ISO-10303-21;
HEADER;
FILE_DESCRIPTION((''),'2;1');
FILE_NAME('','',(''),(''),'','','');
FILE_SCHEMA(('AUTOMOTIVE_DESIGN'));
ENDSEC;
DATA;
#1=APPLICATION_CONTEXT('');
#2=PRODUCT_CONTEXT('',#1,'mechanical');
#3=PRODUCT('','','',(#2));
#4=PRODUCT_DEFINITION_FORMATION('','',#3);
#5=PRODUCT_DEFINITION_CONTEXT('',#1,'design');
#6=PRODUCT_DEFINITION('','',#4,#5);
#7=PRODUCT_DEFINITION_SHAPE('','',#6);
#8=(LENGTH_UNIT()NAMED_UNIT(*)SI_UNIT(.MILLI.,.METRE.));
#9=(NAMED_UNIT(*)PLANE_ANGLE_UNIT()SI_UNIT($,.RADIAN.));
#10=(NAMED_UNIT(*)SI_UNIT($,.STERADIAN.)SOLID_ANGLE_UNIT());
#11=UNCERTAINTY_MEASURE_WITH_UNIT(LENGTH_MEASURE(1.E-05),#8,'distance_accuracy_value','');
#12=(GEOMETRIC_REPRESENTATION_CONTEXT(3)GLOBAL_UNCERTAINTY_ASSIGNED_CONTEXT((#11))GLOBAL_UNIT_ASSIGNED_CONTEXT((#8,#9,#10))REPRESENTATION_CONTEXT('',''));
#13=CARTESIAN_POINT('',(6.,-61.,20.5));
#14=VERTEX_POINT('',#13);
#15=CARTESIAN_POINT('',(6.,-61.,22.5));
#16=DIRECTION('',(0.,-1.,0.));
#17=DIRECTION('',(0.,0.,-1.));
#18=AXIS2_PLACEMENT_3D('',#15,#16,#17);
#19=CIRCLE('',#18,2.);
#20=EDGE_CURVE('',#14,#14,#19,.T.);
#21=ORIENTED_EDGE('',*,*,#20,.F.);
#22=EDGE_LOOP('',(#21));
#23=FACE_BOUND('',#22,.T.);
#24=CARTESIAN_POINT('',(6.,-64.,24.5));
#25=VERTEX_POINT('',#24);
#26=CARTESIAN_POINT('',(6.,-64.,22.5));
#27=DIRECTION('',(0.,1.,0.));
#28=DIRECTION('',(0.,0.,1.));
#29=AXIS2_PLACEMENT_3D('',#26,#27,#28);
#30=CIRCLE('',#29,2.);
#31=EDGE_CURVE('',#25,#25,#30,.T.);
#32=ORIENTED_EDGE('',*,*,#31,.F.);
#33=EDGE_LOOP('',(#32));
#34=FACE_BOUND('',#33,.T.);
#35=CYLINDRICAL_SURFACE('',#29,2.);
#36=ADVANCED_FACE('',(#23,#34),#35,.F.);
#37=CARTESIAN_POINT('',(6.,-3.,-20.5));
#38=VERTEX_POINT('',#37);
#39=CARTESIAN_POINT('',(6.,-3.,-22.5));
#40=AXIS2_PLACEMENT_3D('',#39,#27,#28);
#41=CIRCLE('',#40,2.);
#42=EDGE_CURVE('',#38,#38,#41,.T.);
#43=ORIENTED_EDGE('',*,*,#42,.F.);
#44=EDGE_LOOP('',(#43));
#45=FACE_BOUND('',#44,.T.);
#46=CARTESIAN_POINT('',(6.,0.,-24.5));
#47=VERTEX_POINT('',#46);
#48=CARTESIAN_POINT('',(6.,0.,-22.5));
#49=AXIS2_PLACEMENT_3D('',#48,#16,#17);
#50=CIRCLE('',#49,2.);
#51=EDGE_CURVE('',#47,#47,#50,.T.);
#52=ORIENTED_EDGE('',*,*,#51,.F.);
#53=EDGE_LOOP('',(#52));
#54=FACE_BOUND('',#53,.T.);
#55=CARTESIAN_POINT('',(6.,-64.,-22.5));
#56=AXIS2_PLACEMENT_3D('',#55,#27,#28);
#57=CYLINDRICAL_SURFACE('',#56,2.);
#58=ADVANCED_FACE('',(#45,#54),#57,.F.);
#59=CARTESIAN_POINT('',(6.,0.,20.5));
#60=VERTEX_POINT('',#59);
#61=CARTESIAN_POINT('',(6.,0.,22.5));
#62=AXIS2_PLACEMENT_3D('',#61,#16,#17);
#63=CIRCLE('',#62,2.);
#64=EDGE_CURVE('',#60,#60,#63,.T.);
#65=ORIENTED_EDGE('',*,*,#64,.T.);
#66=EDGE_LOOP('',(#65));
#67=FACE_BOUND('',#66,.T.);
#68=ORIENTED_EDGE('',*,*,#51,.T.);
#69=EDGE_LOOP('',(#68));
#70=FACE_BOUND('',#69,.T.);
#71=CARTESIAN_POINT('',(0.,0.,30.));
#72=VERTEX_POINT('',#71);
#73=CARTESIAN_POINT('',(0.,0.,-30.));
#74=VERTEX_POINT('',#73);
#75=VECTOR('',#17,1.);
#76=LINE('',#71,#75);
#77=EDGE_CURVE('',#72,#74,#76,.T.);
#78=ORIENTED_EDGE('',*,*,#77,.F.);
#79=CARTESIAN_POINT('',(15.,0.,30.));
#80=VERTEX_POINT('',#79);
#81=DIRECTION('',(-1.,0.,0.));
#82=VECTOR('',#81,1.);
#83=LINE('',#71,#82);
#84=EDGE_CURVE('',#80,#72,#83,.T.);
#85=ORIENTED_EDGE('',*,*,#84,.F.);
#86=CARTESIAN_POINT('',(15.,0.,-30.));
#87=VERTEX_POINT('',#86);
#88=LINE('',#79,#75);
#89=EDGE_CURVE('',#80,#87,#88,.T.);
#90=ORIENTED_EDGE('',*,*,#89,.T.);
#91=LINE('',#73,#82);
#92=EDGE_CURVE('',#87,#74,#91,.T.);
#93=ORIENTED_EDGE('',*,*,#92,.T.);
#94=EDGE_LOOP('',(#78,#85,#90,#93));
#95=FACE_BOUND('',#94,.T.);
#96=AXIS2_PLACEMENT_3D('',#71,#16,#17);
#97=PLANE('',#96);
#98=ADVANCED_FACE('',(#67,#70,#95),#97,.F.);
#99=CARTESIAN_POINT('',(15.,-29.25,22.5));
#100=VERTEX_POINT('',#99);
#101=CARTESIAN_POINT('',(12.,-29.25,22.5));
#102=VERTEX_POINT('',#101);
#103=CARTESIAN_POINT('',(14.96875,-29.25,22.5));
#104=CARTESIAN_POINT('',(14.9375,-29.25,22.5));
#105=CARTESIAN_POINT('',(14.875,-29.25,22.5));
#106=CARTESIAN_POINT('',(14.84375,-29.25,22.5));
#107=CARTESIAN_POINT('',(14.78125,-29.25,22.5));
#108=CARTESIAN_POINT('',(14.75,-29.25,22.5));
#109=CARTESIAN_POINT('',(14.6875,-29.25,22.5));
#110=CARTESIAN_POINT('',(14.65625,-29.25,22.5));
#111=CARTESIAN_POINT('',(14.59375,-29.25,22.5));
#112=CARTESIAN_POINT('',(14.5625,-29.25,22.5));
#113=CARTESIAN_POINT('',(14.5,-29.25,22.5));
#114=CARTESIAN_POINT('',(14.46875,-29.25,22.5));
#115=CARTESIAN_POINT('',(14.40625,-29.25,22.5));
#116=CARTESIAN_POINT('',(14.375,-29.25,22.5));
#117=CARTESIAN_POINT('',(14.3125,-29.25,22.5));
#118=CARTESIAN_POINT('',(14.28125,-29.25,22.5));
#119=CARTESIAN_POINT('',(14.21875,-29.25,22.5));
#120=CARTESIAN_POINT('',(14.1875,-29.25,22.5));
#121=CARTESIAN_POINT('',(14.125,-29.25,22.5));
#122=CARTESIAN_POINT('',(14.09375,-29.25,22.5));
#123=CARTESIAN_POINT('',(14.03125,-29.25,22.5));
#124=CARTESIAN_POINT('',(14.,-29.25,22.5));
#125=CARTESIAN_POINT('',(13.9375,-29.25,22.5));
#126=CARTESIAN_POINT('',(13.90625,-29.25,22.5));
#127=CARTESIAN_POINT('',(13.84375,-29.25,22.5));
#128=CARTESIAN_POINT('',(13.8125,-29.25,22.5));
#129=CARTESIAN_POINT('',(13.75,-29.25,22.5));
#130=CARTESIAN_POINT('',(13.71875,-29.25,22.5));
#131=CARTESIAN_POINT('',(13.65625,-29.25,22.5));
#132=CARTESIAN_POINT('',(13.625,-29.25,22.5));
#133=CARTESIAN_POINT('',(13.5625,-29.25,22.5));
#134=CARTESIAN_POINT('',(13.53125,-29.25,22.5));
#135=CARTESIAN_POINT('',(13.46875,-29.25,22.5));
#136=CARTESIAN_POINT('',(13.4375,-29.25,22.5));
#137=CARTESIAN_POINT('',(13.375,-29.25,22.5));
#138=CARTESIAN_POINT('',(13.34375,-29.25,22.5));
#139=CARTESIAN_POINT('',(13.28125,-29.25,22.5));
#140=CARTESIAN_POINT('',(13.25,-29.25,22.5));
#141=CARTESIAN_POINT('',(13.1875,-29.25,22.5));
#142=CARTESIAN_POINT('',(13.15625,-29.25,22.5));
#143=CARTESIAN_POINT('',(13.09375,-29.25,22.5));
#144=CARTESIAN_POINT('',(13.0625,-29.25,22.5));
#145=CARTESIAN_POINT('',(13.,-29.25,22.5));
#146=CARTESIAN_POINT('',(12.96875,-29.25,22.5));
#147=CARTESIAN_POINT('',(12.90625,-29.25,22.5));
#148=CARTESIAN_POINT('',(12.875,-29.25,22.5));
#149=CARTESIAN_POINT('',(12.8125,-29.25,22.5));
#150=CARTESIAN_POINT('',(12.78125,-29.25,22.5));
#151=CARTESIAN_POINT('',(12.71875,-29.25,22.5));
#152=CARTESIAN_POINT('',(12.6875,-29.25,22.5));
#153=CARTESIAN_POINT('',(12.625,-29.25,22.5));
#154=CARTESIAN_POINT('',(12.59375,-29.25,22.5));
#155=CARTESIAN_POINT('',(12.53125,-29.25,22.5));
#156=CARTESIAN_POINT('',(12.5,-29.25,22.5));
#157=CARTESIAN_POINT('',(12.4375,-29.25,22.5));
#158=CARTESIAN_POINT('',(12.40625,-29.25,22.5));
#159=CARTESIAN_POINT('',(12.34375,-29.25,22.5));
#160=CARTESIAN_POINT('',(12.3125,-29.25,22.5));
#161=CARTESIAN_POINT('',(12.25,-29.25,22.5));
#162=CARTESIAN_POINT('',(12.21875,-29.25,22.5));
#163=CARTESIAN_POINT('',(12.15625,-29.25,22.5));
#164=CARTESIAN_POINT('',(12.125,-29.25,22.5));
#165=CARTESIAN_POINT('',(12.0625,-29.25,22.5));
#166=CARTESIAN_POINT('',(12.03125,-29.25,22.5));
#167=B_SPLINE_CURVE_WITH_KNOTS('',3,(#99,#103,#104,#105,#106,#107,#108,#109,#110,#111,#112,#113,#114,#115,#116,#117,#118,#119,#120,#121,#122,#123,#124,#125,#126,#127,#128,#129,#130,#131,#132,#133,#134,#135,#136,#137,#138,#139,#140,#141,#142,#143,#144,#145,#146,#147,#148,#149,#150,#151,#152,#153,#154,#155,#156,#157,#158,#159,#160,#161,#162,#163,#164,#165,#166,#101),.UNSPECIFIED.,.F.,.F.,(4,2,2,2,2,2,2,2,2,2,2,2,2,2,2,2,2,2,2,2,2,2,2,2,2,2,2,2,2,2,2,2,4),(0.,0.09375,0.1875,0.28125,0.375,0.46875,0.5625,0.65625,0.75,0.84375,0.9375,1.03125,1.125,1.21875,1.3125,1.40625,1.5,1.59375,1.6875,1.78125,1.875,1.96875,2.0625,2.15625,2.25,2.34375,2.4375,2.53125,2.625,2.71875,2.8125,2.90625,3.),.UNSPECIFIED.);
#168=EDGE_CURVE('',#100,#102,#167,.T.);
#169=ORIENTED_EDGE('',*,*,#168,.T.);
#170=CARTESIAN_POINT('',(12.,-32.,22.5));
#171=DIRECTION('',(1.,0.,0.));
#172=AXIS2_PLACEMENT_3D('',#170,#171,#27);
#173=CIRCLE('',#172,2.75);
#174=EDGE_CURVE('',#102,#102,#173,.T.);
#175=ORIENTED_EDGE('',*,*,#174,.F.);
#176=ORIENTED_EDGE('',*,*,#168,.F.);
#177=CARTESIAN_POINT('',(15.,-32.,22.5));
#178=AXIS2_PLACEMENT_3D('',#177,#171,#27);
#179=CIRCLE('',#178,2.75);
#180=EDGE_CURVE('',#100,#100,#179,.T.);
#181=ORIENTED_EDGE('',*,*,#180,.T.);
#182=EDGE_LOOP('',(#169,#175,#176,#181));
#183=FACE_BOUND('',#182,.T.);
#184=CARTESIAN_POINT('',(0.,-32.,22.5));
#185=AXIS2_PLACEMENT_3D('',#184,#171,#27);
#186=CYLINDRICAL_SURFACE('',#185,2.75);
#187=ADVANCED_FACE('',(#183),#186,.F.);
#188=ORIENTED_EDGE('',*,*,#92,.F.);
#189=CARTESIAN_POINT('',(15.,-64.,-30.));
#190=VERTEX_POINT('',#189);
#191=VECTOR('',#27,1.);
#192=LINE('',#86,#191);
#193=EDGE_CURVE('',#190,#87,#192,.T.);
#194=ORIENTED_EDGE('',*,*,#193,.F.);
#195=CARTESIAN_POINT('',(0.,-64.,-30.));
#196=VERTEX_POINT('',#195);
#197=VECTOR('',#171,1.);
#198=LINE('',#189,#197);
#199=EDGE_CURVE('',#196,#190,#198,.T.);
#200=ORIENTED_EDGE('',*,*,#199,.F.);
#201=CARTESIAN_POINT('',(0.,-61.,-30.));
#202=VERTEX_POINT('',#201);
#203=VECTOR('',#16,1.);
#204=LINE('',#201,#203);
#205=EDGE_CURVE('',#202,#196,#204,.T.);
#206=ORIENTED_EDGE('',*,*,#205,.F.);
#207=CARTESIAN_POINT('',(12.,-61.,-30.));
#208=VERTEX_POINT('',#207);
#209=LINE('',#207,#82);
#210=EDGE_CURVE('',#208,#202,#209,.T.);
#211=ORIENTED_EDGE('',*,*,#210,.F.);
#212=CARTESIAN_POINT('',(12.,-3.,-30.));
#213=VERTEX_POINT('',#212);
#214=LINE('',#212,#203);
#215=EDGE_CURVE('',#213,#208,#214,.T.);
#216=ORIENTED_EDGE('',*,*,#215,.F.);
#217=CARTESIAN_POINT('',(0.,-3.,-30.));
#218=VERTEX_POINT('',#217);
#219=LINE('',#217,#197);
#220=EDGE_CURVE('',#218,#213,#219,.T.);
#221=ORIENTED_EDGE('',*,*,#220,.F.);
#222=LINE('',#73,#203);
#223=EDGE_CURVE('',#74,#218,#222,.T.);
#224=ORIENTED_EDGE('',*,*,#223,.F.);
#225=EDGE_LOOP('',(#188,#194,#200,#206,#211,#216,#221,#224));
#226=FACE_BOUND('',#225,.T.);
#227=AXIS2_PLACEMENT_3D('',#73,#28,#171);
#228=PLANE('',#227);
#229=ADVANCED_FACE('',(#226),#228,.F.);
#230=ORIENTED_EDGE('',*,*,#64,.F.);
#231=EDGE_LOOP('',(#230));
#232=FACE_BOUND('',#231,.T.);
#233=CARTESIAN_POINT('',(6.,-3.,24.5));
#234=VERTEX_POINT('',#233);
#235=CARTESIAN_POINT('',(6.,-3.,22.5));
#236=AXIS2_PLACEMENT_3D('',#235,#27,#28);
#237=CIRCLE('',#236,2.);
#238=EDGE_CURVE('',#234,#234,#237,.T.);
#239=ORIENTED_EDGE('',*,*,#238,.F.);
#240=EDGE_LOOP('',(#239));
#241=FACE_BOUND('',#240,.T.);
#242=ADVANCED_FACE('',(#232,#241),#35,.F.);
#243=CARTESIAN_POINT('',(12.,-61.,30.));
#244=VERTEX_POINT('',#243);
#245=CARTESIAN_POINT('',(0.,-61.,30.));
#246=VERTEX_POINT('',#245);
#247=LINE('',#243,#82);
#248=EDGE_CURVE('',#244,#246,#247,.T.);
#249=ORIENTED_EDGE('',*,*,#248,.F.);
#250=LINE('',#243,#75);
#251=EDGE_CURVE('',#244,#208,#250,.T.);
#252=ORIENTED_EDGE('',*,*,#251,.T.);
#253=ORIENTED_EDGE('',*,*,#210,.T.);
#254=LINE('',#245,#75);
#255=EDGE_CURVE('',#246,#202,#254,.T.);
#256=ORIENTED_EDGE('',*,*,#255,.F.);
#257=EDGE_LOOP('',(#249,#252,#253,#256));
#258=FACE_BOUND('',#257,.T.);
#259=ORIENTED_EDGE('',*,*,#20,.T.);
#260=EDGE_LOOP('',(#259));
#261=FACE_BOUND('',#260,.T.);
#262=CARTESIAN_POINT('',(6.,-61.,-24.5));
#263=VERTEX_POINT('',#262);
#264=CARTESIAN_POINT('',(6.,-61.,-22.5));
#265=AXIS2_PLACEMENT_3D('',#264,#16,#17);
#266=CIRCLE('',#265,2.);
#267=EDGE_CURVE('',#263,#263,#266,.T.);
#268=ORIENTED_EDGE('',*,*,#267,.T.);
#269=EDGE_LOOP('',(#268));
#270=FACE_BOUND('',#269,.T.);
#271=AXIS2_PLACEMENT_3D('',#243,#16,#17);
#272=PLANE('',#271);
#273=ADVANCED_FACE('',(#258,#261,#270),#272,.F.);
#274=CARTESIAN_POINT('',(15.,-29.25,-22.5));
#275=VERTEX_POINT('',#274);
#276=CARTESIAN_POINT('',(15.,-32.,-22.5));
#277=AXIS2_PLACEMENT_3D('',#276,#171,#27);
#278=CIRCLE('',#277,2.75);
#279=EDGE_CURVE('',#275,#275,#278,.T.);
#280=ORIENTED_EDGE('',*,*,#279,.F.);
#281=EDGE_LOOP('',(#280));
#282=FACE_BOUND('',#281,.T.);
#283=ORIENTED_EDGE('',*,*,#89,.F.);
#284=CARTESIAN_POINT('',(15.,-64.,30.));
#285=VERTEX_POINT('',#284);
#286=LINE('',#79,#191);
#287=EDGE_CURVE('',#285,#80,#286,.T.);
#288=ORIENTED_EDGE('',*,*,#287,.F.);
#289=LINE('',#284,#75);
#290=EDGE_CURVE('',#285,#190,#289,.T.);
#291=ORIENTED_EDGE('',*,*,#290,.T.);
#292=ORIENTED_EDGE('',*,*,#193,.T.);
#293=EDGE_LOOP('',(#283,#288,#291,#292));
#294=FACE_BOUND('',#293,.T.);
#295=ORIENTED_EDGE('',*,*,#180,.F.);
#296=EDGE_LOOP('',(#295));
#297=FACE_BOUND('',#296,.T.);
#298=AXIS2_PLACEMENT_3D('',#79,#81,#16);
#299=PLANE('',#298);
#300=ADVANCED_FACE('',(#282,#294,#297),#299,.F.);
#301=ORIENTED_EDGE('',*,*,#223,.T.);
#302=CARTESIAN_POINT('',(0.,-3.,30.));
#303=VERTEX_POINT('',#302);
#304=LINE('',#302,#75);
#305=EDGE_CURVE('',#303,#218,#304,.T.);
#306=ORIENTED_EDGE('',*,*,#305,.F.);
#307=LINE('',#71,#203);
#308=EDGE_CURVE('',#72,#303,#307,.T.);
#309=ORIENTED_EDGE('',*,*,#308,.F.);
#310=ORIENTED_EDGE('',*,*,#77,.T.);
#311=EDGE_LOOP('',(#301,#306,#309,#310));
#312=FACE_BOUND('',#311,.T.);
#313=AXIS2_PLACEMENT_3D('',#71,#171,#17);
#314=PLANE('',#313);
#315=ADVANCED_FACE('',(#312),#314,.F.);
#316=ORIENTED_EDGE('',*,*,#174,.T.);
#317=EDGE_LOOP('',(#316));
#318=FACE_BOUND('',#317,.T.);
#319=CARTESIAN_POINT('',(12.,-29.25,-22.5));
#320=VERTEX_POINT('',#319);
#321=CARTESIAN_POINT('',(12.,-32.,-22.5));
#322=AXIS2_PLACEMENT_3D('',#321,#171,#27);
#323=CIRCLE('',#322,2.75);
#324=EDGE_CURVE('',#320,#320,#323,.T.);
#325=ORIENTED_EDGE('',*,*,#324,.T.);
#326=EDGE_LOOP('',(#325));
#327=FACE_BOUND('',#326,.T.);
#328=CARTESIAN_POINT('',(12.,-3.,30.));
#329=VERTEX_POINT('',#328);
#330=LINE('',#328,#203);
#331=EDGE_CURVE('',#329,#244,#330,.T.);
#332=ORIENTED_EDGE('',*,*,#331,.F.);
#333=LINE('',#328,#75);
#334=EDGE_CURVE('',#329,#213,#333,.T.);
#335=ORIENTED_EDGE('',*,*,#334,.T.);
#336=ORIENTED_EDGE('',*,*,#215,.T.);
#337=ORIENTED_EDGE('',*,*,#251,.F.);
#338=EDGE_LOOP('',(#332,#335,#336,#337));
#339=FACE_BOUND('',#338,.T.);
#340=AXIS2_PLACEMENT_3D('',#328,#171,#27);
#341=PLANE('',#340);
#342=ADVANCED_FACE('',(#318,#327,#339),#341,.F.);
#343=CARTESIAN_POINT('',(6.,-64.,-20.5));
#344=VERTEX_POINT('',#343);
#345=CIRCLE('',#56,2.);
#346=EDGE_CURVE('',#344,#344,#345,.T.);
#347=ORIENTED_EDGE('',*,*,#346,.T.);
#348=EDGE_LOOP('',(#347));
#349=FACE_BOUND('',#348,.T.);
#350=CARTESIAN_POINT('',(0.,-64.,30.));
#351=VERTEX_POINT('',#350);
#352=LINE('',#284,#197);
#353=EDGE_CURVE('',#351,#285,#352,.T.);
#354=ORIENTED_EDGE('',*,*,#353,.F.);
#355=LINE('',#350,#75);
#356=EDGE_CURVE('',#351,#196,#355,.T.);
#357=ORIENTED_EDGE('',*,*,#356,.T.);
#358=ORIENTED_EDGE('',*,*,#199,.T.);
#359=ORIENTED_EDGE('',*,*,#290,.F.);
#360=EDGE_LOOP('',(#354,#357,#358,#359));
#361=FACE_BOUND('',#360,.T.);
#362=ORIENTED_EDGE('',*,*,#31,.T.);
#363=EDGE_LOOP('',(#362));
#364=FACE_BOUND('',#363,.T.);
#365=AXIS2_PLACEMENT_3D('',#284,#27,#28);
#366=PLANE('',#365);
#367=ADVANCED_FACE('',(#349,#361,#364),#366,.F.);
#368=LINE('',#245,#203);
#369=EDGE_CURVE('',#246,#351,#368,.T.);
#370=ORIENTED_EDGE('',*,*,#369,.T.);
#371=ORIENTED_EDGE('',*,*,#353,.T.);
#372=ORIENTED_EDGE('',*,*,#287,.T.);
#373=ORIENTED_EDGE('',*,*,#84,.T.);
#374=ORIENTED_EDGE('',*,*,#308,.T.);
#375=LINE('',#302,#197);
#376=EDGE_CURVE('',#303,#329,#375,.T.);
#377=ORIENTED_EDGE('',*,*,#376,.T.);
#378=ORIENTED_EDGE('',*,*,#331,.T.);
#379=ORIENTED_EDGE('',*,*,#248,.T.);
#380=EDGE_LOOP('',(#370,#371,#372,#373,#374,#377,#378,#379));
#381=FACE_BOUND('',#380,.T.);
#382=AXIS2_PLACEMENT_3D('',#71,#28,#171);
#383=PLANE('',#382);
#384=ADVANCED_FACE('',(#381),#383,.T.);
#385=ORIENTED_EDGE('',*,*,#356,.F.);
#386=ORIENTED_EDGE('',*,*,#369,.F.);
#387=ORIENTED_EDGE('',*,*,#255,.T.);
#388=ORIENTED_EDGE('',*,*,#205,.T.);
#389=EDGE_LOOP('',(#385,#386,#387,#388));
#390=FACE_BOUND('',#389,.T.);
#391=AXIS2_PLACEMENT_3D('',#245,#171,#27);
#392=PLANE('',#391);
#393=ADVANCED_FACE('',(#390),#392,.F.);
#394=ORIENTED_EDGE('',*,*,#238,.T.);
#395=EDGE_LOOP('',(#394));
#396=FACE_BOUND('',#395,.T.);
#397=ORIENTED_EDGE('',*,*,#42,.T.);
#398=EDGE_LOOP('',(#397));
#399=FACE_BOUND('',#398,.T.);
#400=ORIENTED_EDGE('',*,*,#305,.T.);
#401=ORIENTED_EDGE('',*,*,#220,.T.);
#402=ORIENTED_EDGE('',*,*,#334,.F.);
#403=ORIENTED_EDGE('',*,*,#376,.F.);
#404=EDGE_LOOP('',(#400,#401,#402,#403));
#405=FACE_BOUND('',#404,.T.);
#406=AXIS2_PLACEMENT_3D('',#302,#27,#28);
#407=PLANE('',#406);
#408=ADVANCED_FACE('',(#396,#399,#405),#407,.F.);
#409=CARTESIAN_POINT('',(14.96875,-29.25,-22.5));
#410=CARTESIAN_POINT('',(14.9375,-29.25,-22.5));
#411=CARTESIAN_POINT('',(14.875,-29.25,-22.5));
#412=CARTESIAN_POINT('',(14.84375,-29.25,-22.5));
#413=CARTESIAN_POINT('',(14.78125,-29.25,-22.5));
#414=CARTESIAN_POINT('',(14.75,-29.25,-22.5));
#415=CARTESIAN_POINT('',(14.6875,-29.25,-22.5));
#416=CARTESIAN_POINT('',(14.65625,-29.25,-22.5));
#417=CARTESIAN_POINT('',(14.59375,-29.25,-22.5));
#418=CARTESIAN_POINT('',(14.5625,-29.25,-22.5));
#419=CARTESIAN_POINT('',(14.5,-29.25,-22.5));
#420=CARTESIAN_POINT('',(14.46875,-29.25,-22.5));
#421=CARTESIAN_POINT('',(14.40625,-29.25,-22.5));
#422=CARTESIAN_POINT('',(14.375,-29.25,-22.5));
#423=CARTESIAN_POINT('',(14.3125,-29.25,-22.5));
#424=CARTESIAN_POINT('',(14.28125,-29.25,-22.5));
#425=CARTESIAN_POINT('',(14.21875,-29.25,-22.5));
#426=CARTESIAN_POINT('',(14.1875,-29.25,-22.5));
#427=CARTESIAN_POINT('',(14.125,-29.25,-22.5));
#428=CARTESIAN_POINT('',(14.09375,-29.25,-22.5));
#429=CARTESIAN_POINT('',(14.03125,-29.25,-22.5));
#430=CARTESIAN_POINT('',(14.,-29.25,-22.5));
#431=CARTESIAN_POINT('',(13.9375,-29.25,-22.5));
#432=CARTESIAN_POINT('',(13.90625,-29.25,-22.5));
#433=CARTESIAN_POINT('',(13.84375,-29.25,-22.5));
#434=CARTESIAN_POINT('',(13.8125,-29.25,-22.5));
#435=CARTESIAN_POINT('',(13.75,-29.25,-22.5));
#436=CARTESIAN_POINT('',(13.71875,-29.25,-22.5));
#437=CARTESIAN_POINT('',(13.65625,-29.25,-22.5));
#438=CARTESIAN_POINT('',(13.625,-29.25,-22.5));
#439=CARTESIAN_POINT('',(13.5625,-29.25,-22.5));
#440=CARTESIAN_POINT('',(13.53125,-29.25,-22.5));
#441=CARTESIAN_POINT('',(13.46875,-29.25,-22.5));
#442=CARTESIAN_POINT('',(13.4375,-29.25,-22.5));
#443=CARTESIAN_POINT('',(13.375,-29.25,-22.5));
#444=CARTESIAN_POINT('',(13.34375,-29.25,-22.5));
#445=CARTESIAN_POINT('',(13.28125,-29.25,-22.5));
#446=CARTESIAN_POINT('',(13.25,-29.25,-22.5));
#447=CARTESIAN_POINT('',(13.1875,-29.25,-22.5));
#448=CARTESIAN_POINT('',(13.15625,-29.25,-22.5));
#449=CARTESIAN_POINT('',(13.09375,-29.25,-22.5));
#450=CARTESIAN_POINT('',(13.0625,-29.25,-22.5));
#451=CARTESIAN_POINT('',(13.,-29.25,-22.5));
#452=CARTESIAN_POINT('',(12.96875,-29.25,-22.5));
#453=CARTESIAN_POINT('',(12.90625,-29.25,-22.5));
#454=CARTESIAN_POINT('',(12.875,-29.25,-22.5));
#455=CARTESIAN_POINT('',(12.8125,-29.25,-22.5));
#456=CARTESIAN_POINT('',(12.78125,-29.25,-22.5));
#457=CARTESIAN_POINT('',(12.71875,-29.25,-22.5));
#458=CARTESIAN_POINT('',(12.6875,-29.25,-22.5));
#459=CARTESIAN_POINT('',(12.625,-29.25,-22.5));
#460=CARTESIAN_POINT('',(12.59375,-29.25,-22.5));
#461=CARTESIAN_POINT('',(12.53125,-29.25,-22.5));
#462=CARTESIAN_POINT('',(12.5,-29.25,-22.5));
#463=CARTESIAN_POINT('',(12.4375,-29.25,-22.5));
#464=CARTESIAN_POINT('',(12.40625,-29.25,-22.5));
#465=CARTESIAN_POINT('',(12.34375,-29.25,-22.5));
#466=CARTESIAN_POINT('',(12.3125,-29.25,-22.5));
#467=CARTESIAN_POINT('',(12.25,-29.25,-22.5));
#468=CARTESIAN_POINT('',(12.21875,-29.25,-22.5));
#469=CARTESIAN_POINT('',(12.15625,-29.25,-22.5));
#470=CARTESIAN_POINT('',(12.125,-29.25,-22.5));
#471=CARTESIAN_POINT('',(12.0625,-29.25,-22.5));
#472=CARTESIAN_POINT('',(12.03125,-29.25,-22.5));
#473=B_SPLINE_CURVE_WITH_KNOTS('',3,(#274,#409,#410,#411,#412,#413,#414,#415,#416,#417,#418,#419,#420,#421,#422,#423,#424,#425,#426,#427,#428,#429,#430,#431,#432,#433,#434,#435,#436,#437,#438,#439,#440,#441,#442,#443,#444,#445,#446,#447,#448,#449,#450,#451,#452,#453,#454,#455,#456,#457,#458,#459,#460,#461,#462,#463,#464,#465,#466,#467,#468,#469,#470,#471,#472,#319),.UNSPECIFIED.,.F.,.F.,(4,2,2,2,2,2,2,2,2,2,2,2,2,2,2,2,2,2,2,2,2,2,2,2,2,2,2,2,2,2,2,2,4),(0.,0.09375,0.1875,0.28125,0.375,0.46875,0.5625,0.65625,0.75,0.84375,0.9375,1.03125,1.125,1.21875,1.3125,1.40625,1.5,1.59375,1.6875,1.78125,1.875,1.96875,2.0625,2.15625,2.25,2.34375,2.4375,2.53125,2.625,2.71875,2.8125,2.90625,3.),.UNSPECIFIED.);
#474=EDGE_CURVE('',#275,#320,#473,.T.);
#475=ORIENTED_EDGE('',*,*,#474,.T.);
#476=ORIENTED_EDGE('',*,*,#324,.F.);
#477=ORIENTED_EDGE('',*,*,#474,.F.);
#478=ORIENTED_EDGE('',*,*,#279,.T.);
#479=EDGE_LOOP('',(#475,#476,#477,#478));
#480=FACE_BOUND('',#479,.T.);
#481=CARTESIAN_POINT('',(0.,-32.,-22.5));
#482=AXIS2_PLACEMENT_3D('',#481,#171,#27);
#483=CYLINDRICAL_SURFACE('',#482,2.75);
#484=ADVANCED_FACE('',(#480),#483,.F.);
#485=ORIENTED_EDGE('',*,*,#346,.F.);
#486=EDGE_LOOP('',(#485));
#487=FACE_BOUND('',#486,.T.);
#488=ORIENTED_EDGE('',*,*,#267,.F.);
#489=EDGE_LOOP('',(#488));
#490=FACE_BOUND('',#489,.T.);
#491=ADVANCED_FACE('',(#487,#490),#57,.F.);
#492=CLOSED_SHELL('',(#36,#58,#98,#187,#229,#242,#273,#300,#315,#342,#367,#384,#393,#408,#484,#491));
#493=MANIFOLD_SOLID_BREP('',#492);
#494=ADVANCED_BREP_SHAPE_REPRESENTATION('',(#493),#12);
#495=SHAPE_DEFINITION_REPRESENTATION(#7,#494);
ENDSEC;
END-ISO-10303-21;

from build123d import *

# Parameters (mm, degrees)
EXTRUDE_1_DEPTH          = 30
CUT_EXTRUDE_1_DEPTH      = 73.256487598
CUT_EXTRUDE_1_DEPTH_BACK = 73.256487598
SKETCH_2_R               = 2
SKETCH_3_R               = 2.75
CUT_EXTRUDE_2_DEPTH      = 73.256487598


with BuildPart() as part:
    # 草图1 → 凸台-拉伸1 (new, symmetric)
    with BuildSketch(Plane.XY):
        Polygon((0, 0), (15, 0), (15, -64), (0, -64), (0, -61), (12, -61), (12, -3), (0, -3), align=None)
    extrude(amount=EXTRUDE_1_DEPTH, both=True)

    # 草图2 → 切除-拉伸1 (cut, two sides: drawn at the far end of the back side and taken through both)
    with BuildSketch(Plane(origin=(0, 0, 0), x_dir=(1, 0, 0), z_dir=(0, 1, 0)).offset(-CUT_EXTRUDE_1_DEPTH_BACK)):
        with Locations(Location((6, 22.5, 0), (0, 0, 270))):
            Circle(SKETCH_2_R)
        with Locations(Location((6, -22.5, 0), (0, 0, 270))):
            Circle(SKETCH_2_R)
    extrude(amount=CUT_EXTRUDE_1_DEPTH + CUT_EXTRUDE_1_DEPTH_BACK, mode=Mode.SUBTRACT)

    # 草图3 → 切除-拉伸2 (cut, through all)
    with BuildSketch(Plane(origin=(15, 0, 0), x_dir=(0, 0, -1), z_dir=(1, 0, 0))):
        with Locations(Location((-22.5, -32, 0), (0, 0, 90))):
            Circle(SKETCH_3_R)
        with Locations(Location((22.5, -32, 0), (0, 0, 90))):
            Circle(SKETCH_3_R)
    extrude(amount=-CUT_EXTRUDE_2_DEPTH, mode=Mode.SUBTRACT)


solid = part.part
